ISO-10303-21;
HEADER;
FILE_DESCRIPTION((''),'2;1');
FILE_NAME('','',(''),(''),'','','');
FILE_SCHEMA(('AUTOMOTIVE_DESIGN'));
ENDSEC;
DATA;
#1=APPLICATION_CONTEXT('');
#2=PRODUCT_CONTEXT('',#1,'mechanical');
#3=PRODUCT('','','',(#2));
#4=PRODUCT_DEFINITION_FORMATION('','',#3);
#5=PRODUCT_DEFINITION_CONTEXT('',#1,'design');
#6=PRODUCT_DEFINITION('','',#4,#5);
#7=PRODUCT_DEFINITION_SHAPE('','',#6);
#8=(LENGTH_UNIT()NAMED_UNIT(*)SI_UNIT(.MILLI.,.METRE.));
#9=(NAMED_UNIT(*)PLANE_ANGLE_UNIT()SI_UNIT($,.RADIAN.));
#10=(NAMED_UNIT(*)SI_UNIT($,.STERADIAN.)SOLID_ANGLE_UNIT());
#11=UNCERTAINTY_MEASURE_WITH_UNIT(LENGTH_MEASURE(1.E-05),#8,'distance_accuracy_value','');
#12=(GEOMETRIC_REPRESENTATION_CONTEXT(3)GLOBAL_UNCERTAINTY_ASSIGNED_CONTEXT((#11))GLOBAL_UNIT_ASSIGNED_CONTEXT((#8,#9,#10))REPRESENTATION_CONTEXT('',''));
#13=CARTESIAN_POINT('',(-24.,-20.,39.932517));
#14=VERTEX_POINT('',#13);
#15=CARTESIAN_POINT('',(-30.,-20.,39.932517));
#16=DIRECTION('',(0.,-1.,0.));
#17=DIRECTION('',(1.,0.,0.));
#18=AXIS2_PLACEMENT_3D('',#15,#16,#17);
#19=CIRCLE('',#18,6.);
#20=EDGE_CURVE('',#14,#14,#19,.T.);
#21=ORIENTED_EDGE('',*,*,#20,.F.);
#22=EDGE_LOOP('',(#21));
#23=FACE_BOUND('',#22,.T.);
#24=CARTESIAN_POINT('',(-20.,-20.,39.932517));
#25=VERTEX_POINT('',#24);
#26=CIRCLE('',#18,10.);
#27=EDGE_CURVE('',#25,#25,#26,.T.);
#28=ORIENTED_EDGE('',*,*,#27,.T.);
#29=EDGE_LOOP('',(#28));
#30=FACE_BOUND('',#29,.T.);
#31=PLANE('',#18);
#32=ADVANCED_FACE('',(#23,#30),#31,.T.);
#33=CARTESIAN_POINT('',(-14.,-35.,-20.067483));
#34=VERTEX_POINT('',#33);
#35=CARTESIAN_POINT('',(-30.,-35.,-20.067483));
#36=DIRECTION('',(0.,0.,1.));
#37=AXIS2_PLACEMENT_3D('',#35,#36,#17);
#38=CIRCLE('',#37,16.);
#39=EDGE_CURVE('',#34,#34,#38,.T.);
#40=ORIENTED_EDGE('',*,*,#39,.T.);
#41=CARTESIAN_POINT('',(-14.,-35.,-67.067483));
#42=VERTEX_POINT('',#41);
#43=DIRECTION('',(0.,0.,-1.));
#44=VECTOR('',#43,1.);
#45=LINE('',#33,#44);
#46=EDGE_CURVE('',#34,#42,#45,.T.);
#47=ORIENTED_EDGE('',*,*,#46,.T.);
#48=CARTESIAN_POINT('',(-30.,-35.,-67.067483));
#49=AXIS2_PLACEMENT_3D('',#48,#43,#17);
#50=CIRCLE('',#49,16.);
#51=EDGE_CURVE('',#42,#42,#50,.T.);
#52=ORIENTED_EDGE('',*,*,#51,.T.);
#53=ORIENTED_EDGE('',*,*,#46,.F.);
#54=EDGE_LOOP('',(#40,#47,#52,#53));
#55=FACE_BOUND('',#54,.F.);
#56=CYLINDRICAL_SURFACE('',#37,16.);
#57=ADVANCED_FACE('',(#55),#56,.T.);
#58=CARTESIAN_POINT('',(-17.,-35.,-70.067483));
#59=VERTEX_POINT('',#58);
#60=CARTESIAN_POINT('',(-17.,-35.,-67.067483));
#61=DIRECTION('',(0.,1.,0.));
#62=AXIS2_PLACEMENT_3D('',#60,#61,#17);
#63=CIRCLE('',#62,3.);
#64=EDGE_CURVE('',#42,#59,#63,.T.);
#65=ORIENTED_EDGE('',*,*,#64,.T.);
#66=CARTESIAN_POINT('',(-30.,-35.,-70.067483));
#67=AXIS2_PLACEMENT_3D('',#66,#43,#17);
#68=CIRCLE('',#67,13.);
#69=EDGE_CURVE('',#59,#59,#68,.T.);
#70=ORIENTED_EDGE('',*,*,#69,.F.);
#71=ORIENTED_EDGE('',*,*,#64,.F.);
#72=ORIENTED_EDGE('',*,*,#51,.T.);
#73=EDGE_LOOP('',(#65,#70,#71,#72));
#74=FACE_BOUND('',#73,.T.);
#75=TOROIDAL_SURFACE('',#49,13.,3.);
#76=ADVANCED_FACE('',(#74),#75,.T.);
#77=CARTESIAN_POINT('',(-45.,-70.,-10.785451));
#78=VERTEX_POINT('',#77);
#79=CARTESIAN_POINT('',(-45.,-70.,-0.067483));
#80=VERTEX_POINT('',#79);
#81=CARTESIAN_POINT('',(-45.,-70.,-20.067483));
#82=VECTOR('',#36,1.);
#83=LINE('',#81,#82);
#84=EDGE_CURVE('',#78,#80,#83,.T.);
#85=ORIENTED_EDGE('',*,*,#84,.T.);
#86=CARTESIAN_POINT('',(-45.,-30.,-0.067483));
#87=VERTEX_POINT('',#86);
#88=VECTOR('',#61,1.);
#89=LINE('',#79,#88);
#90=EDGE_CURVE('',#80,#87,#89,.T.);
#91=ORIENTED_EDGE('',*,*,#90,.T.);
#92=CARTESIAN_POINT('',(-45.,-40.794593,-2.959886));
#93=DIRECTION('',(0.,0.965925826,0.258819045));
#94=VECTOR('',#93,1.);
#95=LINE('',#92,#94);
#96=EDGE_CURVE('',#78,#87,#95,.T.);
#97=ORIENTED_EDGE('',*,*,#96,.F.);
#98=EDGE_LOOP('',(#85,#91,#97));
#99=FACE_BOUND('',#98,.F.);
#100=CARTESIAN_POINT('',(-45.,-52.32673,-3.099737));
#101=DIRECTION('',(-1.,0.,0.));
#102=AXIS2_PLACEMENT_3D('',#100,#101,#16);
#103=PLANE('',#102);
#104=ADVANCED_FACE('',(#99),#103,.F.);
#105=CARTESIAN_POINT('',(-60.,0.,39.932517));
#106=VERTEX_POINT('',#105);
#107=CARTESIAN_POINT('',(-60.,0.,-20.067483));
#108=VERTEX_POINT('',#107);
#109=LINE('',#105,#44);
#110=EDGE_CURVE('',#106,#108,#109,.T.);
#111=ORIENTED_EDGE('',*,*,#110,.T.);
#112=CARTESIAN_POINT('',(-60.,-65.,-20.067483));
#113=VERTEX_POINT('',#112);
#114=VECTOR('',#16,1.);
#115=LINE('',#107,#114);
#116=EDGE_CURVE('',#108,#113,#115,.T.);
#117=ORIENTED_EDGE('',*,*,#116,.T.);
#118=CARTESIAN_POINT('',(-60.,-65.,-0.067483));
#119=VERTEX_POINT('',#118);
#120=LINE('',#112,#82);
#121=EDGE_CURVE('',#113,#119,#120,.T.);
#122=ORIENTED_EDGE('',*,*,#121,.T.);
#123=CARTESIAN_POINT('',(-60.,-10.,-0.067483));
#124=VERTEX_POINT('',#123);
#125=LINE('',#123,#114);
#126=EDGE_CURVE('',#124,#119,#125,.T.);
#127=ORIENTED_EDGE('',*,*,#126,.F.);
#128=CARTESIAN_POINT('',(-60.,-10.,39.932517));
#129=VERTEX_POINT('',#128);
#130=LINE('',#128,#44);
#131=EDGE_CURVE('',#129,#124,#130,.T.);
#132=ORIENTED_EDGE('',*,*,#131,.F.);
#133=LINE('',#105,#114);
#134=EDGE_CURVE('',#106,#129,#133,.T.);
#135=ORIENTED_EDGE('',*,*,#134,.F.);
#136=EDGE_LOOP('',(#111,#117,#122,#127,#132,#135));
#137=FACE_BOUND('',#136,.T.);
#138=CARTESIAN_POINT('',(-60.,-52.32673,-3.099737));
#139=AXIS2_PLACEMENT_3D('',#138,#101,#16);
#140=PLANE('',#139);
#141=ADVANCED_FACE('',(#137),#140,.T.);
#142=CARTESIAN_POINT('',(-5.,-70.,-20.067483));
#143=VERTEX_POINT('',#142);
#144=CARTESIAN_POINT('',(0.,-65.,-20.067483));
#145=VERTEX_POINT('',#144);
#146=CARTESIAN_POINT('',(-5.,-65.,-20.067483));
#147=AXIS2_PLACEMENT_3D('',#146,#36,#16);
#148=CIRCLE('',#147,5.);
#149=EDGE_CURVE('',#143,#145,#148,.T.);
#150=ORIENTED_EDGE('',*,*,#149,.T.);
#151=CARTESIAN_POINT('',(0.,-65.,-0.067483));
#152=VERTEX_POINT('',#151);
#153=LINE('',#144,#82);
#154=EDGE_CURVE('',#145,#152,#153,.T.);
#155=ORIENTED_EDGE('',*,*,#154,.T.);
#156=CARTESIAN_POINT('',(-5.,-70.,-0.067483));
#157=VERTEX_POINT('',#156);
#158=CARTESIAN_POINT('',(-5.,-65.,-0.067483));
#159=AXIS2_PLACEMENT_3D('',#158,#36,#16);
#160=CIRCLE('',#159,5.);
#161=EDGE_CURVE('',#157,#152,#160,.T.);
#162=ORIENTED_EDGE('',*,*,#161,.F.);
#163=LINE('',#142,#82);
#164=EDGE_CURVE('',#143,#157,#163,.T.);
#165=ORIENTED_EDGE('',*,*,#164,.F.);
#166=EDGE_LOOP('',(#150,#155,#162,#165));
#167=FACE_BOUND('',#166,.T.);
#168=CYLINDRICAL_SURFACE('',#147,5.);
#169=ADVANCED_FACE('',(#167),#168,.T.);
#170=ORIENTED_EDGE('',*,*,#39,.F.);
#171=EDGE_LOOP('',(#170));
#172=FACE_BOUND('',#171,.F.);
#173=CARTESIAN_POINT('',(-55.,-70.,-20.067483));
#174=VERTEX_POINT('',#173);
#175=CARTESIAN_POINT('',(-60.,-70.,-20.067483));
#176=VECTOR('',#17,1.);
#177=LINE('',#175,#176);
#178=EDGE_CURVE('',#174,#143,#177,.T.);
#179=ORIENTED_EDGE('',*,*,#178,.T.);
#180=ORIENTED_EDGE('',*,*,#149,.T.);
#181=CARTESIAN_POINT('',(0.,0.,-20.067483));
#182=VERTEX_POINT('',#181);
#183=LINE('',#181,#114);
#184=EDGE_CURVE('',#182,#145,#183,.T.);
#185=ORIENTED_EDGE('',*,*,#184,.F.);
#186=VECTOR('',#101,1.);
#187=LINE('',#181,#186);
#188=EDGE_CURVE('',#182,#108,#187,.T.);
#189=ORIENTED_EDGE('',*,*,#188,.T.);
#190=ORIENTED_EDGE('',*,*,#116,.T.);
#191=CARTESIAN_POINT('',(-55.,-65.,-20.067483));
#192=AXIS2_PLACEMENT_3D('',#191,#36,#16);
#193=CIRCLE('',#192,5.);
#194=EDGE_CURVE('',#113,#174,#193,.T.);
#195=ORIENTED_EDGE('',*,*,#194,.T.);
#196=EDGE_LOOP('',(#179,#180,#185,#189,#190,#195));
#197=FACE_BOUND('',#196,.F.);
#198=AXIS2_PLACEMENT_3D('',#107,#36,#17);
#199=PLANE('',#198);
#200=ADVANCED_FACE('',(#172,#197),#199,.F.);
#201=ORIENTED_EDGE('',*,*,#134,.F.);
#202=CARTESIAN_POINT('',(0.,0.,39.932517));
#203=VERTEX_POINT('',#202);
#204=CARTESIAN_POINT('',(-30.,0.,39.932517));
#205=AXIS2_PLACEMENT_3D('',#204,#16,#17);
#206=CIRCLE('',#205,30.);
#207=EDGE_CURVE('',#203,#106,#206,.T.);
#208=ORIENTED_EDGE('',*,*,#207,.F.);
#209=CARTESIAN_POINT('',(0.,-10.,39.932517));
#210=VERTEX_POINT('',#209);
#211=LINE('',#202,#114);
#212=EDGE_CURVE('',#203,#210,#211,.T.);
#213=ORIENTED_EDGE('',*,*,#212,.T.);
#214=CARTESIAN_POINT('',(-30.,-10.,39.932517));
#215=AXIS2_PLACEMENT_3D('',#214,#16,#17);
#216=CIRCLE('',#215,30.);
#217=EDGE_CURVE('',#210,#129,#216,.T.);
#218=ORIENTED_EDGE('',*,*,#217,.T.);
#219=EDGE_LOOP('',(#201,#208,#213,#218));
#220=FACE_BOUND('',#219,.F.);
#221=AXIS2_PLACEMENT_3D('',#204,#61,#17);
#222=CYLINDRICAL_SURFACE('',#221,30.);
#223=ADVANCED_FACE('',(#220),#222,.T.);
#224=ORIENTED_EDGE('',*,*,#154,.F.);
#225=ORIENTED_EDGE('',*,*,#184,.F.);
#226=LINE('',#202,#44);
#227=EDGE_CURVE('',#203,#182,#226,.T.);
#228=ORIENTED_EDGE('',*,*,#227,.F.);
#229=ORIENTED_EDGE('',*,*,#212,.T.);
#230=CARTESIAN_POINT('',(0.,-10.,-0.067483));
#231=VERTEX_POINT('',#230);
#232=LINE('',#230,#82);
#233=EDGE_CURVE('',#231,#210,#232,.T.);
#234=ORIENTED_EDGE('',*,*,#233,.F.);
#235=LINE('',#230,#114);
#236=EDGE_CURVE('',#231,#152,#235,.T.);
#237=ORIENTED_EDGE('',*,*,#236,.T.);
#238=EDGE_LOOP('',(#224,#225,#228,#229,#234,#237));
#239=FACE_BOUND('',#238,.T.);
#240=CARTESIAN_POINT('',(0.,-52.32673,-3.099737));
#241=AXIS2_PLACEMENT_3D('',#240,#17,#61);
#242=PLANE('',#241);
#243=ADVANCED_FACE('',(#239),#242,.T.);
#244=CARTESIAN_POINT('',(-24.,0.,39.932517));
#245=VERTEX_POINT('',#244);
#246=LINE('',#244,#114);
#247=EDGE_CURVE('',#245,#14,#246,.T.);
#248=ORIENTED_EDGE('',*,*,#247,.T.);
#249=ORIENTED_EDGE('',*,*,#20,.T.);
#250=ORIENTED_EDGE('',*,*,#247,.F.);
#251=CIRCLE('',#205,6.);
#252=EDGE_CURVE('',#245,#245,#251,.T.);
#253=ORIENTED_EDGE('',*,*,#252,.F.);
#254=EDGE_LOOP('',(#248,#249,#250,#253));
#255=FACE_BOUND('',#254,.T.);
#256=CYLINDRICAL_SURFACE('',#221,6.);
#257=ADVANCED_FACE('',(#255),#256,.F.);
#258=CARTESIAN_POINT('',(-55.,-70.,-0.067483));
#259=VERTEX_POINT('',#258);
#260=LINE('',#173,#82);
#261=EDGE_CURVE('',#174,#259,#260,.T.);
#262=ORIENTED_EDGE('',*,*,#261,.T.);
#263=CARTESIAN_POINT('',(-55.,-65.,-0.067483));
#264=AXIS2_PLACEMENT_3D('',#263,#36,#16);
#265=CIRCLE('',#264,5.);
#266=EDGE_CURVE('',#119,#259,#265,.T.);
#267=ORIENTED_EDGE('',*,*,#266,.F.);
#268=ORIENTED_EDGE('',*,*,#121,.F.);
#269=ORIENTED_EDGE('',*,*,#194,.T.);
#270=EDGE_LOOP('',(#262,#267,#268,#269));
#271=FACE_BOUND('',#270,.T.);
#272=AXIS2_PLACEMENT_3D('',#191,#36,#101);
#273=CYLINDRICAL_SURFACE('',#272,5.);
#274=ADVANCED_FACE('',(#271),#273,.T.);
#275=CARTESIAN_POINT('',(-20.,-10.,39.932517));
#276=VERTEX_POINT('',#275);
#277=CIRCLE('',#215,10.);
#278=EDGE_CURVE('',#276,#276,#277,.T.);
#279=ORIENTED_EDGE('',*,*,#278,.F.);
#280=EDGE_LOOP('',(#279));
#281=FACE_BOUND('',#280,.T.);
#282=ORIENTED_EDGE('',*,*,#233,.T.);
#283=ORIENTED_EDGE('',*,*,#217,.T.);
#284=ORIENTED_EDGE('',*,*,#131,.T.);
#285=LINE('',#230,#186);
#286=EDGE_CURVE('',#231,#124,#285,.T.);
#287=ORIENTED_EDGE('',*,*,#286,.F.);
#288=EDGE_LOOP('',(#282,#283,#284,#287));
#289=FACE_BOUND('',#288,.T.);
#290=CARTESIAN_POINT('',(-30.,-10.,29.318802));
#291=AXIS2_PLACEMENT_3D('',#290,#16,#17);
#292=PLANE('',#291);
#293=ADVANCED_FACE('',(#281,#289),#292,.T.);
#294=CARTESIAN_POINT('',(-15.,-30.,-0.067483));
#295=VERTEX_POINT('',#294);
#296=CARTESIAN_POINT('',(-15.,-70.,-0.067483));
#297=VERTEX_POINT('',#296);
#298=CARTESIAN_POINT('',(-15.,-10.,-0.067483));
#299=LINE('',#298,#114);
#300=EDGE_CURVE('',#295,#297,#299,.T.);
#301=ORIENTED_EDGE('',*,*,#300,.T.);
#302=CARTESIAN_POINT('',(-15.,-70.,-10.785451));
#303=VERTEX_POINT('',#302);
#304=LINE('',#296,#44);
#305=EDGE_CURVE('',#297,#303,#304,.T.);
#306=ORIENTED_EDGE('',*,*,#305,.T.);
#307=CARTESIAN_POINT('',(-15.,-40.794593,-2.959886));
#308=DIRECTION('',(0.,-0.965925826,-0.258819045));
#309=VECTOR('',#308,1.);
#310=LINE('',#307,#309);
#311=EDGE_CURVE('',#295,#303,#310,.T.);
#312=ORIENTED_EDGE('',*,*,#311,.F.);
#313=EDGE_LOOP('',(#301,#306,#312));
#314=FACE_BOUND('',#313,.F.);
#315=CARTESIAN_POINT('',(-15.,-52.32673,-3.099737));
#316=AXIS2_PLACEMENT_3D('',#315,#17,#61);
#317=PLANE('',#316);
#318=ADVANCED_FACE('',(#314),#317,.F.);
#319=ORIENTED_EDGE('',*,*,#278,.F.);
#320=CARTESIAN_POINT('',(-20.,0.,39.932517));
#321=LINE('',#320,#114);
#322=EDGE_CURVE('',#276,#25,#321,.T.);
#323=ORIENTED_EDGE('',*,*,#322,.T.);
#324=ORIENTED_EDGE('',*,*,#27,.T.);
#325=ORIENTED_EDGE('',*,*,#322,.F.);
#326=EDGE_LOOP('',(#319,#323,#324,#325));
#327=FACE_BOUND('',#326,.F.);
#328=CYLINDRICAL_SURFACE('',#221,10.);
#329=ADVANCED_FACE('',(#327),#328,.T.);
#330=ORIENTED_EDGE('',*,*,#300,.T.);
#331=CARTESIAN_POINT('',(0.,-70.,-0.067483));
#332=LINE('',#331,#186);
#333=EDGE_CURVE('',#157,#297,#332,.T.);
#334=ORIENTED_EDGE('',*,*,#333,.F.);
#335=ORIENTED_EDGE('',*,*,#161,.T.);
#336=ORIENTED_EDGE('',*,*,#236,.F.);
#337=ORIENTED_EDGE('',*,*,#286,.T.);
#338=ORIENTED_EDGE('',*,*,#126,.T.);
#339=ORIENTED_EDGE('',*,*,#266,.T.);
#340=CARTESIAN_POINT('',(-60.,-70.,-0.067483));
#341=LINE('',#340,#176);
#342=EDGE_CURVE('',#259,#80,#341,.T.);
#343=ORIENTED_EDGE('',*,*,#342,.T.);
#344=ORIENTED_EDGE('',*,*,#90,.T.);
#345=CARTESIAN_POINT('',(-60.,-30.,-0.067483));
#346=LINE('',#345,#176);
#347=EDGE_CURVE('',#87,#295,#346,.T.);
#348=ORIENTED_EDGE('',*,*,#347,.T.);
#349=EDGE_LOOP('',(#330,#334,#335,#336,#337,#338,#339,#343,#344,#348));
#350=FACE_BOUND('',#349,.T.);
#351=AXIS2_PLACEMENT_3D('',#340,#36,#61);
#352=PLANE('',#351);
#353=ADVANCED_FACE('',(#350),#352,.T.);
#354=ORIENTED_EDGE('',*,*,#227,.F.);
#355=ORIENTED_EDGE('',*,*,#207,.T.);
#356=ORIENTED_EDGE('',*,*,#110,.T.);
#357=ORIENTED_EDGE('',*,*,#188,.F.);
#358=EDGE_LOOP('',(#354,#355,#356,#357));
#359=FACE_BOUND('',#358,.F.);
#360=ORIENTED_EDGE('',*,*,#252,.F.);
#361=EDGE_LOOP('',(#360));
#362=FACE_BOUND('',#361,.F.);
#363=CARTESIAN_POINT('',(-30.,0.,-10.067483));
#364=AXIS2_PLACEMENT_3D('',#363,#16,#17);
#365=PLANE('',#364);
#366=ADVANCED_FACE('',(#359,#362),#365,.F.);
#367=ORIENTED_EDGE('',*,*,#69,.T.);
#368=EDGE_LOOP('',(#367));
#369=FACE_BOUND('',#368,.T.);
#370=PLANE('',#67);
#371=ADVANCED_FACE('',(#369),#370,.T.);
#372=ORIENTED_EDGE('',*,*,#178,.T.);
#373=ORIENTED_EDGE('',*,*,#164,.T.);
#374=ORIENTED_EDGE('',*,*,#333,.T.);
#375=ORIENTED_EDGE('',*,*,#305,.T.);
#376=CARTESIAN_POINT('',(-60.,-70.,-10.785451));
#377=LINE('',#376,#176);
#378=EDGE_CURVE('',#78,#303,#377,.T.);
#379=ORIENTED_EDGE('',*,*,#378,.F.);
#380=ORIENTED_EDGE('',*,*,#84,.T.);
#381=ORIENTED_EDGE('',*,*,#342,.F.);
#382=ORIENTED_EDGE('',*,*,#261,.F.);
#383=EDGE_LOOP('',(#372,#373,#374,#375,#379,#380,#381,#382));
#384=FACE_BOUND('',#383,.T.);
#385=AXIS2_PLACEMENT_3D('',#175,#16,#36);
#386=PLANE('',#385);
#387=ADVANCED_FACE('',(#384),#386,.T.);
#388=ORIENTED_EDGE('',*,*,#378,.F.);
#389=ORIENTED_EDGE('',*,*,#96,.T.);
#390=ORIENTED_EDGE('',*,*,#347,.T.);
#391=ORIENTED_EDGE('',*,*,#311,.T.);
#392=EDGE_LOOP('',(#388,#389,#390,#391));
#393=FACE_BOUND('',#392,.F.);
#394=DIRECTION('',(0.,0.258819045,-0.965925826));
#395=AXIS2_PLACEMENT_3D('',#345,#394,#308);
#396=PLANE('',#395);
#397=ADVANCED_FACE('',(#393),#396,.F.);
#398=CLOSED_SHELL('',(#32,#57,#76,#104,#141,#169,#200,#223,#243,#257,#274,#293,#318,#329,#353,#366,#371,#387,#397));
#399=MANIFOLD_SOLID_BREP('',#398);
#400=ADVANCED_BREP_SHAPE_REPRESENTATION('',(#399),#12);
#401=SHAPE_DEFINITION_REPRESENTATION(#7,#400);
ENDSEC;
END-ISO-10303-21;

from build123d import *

# Parameters (mm, degrees)
F0_R      = 10
F0_R_2    = 6
F1_DEPTH  = 20
F2_DEPTH  = 10
F0_W      = 60
F0_H      = 20
F3_DEPTH  = 70
F4_R      = 16
F5_DEPTH  = 50
F8_DEPTH  = 63.8
F9_DEPTH  = 15
F10_DEPTH = 15
F11_R     = 3
F12_R     = 5


with BuildPart() as f1:
    # F0 (on Front) → F1 (new body)
    with BuildSketch(Plane.XZ):
        with Locations((-30, 39.9325165922)):
            Circle(F0_R)
        with Locations((-30, 39.9325165922)):
            Circle(F0_R_2, mode=Mode.SUBTRACT)
    extrude(amount=F1_DEPTH)

    # F0 (on Front) → F2 (join)
    with BuildSketch(Plane.XZ):
        with BuildLine():
            Line((-60, 39.9325165922), (-60, -0.0674834078))
            Line((-60, -0.0674834078), (0, -0.0674834078))
            Line((0, -0.0674834078), (0, 39.9325165922))
            ThreePointArc((0, 39.9325165922), (-8.7867965644, 61.1457200278), (-30, 69.9325165922))
            ThreePointArc((-30, 69.9325165922), (-51.2132034356, 61.1457200278), (-60, 39.9325165922))
        make_face()
        with Locations((-30, 39.9325165922)):
            Circle(F0_R, mode=Mode.SUBTRACT)
    extrude(amount=F2_DEPTH)

    # F0 (on Front) → F3 (join)
    with BuildSketch(Plane.XZ):
        with Locations((-30, -10.0674834078)):
            Rectangle(F0_W, F0_H)
    extrude(amount=F3_DEPTH)

    # F4 (on face) → F5 (join)
    with BuildSketch(Plane(origin=(0, 0, -20.0674834078), x_dir=(1, 0, 0), z_dir=(0, 0, -1))):
        with Locations((-30, 35)):
            Circle(F4_R)
    extrude(amount=F5_DEPTH)

    # F7 (on face) → F8 (cut)
    with BuildSketch(Plane(origin=(-60, 0, 0), x_dir=(0, -1, 0), z_dir=(-1, 0, 0))):
        Polygon((70, -10.785451105), (70, -0.0674834078), (30, -0.0674834078), align=None)
    extrude(amount=-F8_DEPTH, mode=Mode.SUBTRACT)

    # F6 (on face) → F9 (join)
    with BuildSketch(Plane.YZ):
        Polygon((-30, -0.0674834078), (-70, -0.0674834078), (-70, -10.785451105), align=None)
        Polygon((-10, -0.0674834078), (-30, -0.0674834078), (-70, -10.785451105), (-70, -20.0674834078), (0, -20.0674834078), (0, 39.9325165922), (-10, 39.9325165922), align=None)
    extrude(amount=-F9_DEPTH)

    # F7 (on face) → F10 (join)
    with BuildSketch(Plane(origin=(-60, 0, 0), x_dir=(0, -1, 0), z_dir=(-1, 0, 0))):
        Polygon((70, -10.785451105), (70, -0.0674834078), (30, -0.0674834078), align=None)
        Polygon((70, -10.785451105), (30, -0.0674834078), (10, -0.0674834078), (10, 39.9325165922), (0, 39.9325165922), (0, -20.0674834078), (70, -20.0674834078), align=None)
    extrude(amount=-F10_DEPTH)

    # F11
    f11_edges = [f1.edges().sort_by_distance(p)[0] for p in [
        (-46, -35, -70.067483),
    ]]
    fillet(f11_edges, radius=F11_R)

    # F12
    f12_edges = [f1.edges().sort_by_distance(p)[0] for p in [
        (-60, -70, -10.067483),
        (0, -70, -10.067483),
    ]]
    fillet(f12_edges, radius=F12_R)


solid = f1.part
